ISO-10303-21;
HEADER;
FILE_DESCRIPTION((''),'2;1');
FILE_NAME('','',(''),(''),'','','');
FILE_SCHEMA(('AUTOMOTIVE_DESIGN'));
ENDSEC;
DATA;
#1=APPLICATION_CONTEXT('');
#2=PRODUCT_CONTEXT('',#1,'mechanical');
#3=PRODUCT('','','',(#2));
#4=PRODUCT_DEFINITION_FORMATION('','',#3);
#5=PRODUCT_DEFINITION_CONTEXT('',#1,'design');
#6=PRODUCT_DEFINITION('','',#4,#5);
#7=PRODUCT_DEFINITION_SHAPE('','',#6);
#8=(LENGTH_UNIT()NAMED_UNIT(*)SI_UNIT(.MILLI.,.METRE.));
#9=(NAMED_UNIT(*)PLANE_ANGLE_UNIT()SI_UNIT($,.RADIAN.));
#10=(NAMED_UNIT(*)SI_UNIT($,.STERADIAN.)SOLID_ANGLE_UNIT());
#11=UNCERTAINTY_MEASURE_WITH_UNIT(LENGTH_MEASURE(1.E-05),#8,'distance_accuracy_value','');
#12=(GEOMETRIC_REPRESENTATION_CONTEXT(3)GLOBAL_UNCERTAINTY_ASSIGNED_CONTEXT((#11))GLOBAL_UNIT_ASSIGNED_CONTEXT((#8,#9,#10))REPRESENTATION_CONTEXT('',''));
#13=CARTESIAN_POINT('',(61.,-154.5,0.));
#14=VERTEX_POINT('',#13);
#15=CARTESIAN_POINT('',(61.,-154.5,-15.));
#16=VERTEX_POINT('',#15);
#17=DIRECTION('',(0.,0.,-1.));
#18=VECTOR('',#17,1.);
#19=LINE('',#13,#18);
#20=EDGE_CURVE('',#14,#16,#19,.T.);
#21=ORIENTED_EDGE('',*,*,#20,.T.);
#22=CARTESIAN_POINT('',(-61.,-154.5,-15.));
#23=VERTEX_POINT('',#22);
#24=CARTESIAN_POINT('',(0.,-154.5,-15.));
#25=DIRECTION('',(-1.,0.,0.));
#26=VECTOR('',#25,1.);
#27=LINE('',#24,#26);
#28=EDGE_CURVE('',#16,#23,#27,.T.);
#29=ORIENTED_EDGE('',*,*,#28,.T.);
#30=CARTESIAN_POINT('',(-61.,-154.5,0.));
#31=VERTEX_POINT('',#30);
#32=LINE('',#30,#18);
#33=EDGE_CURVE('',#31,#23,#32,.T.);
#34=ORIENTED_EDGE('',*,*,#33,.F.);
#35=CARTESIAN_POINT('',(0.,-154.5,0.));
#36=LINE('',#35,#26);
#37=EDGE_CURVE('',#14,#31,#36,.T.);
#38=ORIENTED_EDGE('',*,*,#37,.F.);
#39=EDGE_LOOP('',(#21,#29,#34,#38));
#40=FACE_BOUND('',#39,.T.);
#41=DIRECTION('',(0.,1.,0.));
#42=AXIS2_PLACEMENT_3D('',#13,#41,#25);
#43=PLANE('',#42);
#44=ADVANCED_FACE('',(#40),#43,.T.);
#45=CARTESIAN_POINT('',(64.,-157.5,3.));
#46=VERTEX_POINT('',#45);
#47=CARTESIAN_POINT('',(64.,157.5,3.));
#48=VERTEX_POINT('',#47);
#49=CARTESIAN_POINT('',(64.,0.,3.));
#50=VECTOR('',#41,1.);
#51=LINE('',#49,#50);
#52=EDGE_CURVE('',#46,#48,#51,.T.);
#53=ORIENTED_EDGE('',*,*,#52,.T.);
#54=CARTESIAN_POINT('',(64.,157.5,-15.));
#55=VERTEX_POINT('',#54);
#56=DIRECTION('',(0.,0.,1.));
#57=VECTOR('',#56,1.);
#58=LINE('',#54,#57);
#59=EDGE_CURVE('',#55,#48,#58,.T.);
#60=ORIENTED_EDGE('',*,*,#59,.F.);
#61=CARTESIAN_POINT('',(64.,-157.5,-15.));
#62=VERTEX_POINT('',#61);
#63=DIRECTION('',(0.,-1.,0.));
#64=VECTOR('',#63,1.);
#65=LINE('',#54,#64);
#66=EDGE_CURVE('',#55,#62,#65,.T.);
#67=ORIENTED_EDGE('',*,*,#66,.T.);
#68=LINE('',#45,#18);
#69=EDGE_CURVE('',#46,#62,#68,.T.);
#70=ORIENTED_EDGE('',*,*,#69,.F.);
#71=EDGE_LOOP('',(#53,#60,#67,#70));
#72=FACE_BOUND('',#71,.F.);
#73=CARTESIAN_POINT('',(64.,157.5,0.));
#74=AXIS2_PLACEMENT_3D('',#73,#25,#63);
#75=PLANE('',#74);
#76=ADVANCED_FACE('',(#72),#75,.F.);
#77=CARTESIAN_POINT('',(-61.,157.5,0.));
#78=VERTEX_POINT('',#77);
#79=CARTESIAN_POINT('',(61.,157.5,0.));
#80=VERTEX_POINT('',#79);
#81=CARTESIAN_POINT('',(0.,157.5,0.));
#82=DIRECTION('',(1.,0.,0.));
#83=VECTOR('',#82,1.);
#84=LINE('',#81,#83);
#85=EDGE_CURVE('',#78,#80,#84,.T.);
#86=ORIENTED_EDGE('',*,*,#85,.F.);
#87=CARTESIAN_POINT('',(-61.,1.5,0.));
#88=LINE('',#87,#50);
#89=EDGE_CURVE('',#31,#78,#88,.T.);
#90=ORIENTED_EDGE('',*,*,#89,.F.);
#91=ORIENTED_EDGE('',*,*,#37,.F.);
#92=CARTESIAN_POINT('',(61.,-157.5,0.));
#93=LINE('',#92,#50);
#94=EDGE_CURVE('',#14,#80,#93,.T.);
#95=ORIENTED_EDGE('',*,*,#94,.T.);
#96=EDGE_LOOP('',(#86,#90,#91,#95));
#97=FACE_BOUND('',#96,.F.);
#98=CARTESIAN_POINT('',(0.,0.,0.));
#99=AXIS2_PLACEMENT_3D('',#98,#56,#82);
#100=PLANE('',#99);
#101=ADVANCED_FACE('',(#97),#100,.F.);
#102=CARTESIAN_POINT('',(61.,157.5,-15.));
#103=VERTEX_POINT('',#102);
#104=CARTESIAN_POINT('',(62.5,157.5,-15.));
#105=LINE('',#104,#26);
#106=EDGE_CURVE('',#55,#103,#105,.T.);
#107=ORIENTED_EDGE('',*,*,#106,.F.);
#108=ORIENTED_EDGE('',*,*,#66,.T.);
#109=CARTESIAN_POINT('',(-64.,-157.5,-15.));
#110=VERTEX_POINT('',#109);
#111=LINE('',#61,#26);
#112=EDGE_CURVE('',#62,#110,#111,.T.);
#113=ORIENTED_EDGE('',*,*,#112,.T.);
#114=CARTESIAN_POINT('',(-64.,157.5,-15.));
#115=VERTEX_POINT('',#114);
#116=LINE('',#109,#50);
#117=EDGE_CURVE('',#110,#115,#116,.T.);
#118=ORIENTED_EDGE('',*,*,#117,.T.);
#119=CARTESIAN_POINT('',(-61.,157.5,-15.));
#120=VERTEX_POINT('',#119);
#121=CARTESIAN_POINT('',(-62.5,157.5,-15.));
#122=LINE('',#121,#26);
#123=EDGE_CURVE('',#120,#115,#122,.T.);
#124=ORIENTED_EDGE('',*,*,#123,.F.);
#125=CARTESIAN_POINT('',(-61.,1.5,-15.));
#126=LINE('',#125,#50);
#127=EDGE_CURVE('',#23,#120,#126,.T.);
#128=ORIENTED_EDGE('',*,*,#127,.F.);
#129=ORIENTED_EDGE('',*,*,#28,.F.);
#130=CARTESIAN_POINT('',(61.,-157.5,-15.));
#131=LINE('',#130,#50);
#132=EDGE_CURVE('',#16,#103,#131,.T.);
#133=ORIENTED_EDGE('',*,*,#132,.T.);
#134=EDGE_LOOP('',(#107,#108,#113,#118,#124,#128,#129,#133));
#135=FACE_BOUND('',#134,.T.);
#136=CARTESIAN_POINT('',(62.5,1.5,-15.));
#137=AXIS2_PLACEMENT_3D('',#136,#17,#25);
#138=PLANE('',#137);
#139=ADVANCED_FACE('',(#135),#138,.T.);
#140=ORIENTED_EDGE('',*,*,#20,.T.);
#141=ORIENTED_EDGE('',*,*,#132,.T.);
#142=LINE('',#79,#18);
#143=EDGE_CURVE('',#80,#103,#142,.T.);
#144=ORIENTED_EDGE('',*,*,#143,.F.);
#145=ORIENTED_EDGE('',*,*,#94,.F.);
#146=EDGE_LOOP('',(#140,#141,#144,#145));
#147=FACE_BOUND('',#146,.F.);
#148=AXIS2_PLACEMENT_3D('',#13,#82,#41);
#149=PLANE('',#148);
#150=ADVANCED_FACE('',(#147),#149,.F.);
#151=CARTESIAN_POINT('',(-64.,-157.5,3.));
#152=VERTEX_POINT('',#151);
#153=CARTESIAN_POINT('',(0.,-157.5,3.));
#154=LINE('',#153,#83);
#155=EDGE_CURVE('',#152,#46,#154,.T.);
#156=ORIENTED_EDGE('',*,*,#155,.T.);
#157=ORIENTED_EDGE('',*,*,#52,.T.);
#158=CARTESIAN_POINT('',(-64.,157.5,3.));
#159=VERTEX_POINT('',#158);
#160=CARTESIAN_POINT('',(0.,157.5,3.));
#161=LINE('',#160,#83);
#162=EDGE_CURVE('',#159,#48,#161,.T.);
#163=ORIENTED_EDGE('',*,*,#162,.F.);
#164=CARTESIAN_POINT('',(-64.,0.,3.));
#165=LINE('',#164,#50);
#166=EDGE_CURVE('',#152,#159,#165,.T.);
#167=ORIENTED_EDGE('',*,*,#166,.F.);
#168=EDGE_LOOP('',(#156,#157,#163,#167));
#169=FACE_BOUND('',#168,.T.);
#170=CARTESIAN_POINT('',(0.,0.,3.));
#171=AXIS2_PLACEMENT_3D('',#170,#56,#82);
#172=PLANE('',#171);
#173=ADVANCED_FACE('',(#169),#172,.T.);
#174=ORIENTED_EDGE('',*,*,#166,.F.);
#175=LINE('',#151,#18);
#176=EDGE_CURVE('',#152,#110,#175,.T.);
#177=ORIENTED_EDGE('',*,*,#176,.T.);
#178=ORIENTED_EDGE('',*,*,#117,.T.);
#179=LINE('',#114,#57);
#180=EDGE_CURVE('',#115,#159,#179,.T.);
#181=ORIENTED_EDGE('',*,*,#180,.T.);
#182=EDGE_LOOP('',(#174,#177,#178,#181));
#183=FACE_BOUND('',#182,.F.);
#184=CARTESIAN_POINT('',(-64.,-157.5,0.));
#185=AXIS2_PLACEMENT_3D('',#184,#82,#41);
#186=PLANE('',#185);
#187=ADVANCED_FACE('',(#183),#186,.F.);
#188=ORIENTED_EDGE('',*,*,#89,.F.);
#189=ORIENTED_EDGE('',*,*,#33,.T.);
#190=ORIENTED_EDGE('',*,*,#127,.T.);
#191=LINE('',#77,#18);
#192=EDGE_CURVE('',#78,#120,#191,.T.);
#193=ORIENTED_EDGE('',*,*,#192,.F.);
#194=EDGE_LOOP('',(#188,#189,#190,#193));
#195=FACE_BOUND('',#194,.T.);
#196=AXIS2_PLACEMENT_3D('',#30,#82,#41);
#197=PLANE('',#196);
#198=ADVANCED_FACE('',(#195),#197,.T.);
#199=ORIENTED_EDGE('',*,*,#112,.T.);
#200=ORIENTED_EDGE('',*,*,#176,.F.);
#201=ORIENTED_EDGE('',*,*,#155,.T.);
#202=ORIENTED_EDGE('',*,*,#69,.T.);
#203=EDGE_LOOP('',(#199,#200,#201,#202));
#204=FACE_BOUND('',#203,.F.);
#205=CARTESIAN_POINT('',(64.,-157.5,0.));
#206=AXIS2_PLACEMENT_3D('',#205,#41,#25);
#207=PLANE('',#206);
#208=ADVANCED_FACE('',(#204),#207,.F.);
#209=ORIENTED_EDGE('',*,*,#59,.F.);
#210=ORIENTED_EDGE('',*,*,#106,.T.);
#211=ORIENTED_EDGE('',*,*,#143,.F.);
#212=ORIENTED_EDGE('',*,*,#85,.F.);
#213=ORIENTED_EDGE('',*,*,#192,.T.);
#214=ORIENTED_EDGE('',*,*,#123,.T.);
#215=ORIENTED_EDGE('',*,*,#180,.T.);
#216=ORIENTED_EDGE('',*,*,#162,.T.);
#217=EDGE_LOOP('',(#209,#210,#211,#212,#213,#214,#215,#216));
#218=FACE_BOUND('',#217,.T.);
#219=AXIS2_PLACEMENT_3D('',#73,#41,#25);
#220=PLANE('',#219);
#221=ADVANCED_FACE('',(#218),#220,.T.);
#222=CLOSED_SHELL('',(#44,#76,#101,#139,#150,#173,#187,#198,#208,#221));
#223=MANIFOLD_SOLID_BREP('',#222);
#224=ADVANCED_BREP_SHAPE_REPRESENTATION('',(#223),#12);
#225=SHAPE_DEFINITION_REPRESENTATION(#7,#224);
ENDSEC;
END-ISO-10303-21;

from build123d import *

# Parameters (mm, degrees)
SKETCH1_W           = 128
SKETCH1_H           = 315
BOSS_EXTRUDE1_DEPTH = 3
SKETCH2_W           = 3
SKETCH2_H           = 312
SKETCH2_H_2         = 3
SKETCH2_W_2         = 122
BOSS_EXTRUDE3_DEPTH = 15


with BuildPart() as part:
    # Sketch1 → Boss-Extrude1 (new body)
    with BuildSketch(Plane.XY):
        Rectangle(SKETCH1_W, SKETCH1_H)
    extrude(amount=BOSS_EXTRUDE1_DEPTH)

    # Sketch2 → Boss-Extrude3 (add)
    with BuildSketch(Plane(origin=(0, 0, 0), x_dir=(-1, 0, 0), z_dir=(0, 0, -1))):
        with Locations((-62.5, 1.5)):
            Rectangle(SKETCH2_W, SKETCH2_H)
        with Locations((-62.5, -156)):
            Rectangle(SKETCH2_W, SKETCH2_H_2)
        with Locations((0, -156)):
            Rectangle(SKETCH2_W_2, SKETCH2_H_2)
        with Locations((62.5, 1.5)):
            Rectangle(SKETCH2_W, SKETCH2_H)
        with Locations((62.5, -156)):
            Rectangle(SKETCH2_W, SKETCH2_H_2)
    extrude(amount=BOSS_EXTRUDE3_DEPTH)


solid = part.part
